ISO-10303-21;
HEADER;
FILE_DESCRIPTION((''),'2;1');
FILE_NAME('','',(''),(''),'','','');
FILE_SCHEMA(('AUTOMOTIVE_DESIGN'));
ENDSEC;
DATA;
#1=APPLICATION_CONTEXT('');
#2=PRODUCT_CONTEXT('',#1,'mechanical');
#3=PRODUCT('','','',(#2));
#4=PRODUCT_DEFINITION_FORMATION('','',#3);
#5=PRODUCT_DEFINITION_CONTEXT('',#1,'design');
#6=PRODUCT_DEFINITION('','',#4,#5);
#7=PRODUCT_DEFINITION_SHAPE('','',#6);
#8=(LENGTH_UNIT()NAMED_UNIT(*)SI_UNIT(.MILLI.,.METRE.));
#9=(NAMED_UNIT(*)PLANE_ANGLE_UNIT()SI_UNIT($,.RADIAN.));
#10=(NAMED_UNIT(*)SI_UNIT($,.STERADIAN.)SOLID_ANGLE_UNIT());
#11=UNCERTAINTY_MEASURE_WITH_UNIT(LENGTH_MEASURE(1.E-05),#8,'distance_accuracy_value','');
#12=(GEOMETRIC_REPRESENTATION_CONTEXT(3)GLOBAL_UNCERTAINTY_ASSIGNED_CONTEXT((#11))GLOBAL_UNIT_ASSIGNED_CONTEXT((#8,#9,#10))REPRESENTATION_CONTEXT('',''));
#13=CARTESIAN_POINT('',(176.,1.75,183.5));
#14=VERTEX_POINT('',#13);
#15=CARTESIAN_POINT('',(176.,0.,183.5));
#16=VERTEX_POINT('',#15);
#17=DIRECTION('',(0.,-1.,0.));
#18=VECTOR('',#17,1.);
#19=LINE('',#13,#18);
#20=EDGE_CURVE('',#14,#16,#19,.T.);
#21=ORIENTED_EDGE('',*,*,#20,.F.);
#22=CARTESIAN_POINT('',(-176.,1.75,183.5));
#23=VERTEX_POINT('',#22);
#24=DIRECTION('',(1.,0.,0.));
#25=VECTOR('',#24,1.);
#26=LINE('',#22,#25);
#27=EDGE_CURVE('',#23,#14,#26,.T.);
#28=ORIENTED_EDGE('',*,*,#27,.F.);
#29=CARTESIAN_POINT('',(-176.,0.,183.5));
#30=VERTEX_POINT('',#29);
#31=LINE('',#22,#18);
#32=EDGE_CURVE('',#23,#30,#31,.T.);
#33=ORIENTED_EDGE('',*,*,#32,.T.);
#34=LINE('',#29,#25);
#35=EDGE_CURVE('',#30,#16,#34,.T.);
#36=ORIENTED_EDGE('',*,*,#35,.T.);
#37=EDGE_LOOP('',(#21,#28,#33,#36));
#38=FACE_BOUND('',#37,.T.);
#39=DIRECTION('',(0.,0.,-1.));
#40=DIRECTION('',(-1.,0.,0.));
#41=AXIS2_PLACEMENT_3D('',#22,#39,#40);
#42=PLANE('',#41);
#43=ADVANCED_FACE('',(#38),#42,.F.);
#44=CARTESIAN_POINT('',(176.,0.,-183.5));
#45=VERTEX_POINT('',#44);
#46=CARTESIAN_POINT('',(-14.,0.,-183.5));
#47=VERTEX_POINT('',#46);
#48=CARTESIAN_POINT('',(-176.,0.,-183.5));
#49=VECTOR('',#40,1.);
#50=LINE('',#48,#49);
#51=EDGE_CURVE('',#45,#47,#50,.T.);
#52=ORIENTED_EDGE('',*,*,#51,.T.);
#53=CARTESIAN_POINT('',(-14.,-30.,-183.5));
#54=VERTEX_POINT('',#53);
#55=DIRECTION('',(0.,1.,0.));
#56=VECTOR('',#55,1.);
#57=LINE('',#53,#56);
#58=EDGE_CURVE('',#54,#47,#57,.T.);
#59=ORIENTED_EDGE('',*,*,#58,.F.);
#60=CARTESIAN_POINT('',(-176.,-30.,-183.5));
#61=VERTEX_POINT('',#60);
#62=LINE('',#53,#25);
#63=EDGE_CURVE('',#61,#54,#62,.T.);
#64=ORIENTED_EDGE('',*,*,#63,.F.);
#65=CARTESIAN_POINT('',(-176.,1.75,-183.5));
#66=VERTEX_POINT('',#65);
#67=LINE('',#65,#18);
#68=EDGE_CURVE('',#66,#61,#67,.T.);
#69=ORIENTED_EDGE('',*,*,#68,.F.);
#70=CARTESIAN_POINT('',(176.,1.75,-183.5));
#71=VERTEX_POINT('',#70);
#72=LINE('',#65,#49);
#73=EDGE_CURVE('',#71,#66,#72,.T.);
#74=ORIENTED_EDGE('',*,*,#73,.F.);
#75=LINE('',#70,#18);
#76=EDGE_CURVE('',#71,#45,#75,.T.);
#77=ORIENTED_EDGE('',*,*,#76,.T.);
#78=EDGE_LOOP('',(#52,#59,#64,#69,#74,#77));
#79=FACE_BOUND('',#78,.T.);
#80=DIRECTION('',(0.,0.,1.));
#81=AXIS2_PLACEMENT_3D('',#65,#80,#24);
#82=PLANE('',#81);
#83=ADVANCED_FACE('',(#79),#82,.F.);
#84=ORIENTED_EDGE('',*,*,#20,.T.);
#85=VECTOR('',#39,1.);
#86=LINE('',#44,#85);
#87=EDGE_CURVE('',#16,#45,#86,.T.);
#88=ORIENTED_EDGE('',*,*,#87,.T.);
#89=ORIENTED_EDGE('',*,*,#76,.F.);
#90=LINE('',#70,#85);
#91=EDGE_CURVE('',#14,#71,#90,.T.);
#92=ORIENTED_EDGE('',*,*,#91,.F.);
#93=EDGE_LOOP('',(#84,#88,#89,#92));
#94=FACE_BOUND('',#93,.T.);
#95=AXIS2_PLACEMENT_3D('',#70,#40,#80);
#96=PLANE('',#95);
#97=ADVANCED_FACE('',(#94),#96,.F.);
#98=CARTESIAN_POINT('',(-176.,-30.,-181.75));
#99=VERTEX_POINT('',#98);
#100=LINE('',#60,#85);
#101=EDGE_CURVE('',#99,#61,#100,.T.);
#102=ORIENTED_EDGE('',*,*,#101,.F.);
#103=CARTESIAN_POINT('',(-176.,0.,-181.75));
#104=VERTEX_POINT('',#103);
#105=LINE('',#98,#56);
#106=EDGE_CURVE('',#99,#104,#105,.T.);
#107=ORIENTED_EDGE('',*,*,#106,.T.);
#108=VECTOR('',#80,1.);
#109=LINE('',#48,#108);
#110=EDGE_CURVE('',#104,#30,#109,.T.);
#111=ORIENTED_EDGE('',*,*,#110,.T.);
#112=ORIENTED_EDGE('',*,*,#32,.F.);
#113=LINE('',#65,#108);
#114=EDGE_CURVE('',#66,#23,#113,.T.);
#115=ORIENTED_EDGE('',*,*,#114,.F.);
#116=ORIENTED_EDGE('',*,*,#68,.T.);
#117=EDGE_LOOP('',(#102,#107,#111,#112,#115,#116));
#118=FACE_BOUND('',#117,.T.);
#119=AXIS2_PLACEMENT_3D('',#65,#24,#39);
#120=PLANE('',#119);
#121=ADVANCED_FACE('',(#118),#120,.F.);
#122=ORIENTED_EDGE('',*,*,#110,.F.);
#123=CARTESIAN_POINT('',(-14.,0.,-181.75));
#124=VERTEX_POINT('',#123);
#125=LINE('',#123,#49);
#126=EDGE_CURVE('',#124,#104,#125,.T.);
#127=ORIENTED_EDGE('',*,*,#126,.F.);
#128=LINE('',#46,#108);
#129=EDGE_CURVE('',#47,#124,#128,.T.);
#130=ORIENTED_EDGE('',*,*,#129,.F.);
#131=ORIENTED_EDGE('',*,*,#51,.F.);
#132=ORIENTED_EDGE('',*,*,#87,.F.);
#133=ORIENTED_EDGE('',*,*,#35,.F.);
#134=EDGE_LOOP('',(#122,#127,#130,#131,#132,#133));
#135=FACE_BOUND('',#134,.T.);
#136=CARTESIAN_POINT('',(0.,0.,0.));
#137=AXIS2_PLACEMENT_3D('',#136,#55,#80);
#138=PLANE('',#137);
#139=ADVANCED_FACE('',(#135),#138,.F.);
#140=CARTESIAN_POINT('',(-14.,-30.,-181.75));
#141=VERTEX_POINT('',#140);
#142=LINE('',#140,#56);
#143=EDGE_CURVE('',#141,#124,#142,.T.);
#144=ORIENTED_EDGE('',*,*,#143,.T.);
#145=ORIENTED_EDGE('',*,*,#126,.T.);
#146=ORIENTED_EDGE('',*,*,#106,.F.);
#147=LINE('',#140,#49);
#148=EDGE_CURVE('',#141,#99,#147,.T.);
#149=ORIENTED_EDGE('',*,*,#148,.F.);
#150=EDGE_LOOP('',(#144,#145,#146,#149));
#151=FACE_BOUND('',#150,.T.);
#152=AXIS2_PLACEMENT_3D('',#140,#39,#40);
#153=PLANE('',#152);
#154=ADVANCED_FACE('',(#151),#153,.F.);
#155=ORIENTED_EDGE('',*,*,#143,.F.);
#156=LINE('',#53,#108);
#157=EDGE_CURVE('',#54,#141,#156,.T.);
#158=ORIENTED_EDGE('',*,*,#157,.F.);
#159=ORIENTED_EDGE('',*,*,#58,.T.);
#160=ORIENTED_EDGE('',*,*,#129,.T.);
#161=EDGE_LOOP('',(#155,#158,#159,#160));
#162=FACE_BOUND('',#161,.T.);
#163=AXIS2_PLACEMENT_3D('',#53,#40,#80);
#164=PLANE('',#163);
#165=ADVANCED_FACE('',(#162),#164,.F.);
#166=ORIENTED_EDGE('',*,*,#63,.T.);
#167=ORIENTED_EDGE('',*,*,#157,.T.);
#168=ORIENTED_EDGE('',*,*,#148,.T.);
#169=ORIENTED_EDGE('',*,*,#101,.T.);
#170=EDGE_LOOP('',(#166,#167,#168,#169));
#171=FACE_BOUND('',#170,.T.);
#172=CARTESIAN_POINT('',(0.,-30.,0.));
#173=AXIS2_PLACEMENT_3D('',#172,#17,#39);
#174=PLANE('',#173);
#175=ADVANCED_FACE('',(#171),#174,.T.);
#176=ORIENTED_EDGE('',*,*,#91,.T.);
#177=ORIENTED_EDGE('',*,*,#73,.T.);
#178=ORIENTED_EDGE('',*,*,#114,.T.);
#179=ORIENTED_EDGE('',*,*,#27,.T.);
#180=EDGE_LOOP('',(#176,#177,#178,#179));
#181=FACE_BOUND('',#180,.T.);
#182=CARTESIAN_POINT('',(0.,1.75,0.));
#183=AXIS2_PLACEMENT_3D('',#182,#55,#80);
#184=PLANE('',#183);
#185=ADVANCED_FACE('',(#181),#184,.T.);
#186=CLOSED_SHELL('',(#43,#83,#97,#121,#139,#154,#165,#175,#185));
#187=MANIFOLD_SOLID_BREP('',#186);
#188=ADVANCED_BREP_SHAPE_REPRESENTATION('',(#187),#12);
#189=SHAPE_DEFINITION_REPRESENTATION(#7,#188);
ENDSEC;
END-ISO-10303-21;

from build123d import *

# Parameters (mm, degrees)
SKETCH1_W           = 352
SKETCH1_H           = 367
BOSS_EXTRUDE1_DEPTH = 1.75
SKETCH2_W           = 162
SKETCH2_H           = 1.75
BOSS_EXTRUDE3_DEPTH = 30


with BuildPart() as part:
    # Sketch1 → Boss-Extrude1 (new body)
    with BuildSketch(Plane(origin=(0, 0, 0), x_dir=(1, 0, 0), z_dir=(0, 1, 0))):
        Rectangle(SKETCH1_W, SKETCH1_H)
    extrude(amount=BOSS_EXTRUDE1_DEPTH)

    # Sketch2 → Boss-Extrude3 (add)
    with BuildSketch(Plane.XZ):
        with Locations((-95, -182.625)):
            Rectangle(SKETCH2_W, SKETCH2_H)
    extrude(amount=BOSS_EXTRUDE3_DEPTH)


solid = part.part
